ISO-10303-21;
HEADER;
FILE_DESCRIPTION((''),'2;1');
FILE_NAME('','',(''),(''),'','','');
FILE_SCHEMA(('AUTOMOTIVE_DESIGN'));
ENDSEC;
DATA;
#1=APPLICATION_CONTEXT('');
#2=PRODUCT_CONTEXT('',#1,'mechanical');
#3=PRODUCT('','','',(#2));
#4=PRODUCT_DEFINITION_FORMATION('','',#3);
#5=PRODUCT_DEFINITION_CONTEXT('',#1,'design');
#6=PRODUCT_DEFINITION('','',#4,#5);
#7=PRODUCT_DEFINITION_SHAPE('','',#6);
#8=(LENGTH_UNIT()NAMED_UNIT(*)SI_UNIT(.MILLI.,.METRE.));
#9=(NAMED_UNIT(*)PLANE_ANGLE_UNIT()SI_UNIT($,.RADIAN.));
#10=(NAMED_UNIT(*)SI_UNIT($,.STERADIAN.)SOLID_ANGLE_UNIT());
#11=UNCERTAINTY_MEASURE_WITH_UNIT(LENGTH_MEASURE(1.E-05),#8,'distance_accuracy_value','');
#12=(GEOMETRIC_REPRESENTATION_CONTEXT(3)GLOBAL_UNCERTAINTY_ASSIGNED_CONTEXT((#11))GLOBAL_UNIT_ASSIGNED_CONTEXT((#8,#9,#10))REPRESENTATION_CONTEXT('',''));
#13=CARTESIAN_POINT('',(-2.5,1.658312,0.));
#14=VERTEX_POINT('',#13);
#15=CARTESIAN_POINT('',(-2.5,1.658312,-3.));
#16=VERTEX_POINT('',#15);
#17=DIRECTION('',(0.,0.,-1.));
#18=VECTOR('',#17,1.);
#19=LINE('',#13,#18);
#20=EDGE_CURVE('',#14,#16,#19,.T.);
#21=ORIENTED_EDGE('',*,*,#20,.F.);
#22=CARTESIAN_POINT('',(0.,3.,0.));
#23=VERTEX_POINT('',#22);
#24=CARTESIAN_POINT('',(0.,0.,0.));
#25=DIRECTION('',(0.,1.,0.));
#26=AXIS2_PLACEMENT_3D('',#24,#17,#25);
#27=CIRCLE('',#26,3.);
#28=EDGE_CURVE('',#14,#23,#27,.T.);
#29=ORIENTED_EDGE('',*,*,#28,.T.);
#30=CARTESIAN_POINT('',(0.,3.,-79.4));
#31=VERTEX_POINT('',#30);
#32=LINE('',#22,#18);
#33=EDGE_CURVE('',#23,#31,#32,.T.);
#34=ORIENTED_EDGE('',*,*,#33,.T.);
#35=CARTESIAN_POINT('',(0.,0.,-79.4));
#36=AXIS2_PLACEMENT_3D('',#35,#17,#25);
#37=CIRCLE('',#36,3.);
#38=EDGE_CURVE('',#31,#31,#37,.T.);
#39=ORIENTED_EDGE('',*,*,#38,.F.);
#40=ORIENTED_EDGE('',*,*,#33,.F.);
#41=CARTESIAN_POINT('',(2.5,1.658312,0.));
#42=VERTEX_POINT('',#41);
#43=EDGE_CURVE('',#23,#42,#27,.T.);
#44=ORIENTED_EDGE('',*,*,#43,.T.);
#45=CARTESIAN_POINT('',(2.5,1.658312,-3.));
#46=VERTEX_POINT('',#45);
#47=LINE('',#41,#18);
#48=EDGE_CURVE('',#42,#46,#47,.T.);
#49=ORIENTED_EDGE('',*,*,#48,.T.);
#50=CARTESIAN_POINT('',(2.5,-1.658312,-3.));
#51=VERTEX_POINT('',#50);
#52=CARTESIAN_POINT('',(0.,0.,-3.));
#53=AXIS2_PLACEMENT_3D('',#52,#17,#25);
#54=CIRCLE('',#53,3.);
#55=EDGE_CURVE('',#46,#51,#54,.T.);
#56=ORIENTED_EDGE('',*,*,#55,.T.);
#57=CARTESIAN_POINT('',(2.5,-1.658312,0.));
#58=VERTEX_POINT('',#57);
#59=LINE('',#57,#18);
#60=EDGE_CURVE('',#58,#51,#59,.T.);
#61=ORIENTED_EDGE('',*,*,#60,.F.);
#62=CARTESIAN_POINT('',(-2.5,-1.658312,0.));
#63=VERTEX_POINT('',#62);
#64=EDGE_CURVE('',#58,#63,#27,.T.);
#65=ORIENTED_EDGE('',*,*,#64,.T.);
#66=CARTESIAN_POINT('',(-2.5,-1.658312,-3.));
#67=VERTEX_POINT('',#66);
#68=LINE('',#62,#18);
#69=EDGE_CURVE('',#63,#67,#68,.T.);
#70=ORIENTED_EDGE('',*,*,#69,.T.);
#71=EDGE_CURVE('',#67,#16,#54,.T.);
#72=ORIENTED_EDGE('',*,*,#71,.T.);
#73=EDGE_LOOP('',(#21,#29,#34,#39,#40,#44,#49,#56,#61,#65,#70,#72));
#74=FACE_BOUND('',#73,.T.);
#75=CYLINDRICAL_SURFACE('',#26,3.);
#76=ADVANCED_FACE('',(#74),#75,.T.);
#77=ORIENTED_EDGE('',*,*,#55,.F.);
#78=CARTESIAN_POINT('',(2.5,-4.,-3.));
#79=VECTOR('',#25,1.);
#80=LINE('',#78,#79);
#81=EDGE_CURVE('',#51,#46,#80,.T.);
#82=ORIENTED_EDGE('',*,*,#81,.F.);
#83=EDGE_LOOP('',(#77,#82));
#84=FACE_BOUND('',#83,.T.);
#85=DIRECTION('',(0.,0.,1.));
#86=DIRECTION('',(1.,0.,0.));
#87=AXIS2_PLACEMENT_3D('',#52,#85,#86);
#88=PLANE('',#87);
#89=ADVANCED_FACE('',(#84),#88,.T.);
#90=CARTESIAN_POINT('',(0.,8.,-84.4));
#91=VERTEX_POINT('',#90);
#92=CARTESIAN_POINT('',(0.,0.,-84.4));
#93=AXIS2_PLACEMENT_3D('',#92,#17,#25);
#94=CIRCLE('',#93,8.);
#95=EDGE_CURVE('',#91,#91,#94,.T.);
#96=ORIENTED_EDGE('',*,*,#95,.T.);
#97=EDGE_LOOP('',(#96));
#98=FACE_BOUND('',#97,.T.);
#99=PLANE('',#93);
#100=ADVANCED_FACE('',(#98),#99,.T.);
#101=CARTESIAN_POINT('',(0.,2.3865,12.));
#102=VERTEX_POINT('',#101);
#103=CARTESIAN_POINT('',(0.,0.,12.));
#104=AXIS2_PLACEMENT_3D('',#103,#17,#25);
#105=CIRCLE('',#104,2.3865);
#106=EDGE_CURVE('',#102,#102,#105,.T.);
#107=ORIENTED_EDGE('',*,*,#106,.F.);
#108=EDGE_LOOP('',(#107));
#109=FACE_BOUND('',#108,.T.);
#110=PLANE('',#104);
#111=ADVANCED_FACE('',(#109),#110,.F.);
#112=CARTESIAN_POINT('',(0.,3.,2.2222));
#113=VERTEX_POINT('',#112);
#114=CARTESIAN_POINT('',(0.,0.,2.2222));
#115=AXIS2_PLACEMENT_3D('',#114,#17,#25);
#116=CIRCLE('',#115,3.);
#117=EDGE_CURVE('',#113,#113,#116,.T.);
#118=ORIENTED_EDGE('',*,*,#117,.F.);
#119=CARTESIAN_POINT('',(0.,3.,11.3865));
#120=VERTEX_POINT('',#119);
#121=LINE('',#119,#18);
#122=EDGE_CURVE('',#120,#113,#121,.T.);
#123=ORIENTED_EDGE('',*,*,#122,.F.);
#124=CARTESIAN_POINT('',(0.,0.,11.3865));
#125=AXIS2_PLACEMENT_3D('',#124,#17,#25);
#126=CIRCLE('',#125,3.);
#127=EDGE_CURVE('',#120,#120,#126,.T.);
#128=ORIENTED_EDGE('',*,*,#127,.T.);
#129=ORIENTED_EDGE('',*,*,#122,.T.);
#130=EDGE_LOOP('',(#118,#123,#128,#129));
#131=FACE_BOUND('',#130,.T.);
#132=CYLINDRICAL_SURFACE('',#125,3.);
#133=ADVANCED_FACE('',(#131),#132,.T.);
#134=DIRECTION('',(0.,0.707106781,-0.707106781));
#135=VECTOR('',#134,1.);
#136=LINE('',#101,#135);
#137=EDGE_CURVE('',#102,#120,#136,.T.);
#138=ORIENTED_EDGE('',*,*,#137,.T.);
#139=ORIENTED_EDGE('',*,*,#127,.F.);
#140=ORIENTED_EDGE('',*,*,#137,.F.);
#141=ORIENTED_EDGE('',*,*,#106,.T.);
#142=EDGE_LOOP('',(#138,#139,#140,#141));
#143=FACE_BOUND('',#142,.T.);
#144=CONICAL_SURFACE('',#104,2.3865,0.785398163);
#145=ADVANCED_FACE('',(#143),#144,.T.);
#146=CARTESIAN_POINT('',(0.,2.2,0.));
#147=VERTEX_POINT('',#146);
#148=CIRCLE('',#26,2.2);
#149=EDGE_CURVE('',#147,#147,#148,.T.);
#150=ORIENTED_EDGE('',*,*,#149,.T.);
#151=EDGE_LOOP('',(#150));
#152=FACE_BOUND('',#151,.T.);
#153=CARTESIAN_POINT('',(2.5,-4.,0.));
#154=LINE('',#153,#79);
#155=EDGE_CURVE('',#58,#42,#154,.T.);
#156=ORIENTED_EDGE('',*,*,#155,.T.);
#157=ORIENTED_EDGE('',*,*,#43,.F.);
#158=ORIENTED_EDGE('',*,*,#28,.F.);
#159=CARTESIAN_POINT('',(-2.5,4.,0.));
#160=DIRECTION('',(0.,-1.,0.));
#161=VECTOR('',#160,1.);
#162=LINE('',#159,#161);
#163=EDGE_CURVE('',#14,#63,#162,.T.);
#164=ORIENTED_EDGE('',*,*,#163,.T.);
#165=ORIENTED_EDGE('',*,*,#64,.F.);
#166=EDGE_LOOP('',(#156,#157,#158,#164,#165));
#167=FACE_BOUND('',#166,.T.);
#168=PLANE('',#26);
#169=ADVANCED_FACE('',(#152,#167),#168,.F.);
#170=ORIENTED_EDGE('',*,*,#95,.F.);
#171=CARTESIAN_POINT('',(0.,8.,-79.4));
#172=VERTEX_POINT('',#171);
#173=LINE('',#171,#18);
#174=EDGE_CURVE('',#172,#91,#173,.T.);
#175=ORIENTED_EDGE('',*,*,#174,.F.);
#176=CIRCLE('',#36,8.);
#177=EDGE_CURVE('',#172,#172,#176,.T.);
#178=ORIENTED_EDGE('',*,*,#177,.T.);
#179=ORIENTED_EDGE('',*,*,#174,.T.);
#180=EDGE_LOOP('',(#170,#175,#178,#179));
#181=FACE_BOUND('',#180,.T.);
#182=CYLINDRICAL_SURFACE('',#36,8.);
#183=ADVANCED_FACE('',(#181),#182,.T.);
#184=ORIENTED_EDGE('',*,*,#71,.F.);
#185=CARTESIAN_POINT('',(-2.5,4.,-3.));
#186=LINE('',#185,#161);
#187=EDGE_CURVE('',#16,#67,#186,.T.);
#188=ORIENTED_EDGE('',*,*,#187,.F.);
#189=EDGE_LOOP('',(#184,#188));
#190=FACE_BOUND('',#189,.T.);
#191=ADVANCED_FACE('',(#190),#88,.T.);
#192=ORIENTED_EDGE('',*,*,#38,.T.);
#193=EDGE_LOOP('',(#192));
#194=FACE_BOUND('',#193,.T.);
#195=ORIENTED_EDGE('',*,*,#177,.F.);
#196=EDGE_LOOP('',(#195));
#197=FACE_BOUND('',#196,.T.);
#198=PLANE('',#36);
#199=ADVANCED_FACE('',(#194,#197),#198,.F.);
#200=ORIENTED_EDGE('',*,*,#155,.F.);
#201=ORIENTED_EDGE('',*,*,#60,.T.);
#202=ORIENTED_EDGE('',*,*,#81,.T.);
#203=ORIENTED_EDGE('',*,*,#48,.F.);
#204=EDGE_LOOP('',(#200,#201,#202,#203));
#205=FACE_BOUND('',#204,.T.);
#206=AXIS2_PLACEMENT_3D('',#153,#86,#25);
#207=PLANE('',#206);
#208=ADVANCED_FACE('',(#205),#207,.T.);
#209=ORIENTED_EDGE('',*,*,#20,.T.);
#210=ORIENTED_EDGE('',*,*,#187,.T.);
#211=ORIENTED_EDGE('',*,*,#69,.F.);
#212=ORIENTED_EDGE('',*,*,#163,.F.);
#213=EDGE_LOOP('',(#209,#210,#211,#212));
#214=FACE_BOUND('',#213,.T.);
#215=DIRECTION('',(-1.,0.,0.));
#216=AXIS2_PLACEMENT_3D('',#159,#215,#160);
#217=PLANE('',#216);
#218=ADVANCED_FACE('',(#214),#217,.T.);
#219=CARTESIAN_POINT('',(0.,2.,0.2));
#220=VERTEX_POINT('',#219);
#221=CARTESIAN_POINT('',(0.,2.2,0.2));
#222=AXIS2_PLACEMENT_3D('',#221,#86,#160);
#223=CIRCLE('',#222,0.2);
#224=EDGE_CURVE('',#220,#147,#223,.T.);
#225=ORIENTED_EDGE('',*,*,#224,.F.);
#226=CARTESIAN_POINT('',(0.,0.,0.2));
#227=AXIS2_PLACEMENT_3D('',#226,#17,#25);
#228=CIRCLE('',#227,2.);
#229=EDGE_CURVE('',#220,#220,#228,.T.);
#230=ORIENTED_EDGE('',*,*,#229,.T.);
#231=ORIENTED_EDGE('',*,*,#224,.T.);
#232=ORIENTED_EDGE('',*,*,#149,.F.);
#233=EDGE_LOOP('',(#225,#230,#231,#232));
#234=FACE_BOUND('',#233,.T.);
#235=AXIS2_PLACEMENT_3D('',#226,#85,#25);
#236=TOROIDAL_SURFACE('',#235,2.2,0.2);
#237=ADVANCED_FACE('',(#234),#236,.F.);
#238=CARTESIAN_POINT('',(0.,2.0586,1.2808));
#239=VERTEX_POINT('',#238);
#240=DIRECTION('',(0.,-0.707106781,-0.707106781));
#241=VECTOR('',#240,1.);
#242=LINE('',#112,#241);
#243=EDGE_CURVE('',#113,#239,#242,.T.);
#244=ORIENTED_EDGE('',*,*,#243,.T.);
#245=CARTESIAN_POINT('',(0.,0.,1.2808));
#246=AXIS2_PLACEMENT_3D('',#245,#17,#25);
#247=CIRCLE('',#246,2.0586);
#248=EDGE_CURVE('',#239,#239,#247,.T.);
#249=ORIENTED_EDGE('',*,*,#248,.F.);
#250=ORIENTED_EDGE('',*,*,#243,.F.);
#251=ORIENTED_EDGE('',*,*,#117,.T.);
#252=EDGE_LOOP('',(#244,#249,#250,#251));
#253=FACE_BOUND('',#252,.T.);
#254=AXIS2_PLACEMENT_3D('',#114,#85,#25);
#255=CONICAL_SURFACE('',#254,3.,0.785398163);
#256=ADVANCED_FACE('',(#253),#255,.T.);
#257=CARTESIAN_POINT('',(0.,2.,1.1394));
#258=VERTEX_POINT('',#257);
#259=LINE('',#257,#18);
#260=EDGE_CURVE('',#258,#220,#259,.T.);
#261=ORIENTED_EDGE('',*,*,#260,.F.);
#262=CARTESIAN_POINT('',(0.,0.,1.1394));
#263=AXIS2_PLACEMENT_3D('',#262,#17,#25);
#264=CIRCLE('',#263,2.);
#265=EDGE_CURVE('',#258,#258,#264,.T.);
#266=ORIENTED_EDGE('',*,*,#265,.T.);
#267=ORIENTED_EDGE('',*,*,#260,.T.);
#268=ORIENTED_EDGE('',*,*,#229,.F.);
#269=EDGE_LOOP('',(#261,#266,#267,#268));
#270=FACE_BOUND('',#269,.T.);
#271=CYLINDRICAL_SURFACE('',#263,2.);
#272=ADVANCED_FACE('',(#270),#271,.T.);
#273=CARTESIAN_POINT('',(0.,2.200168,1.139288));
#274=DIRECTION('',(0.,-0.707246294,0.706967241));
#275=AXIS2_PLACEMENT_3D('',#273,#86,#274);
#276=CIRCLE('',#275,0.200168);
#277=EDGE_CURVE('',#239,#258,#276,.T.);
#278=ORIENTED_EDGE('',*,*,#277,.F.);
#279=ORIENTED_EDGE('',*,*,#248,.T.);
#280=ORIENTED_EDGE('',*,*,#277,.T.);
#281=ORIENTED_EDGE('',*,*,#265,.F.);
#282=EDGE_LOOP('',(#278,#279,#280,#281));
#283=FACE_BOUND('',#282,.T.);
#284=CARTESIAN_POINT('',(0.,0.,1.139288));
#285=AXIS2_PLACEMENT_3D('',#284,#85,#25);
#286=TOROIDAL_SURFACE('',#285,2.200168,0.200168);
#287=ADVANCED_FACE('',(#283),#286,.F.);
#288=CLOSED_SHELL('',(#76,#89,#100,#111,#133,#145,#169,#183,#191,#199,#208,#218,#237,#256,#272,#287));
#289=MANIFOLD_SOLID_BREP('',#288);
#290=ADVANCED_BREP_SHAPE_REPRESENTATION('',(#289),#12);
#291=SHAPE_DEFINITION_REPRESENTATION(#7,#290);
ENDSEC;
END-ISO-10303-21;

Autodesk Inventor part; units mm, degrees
sketch "Sketch_1" plane through (0, 0, 0) normal (1, 0, 0) x (0, 1, 0)
  line L0 (0, -84.4) -> (0, 0)
  line L1 (0, 0) -> (3, 0)
  line L2 (3, 0) -> (3, -79.4)
  line L3 (3, -79.4) -> (8, -79.4)
  line L4 (8, -79.4) -> (8, -84.4)
  line L5 (8, -84.4) -> (0, -84.4)
  line L6 (0, -84.4) -> (0, 0)
revolve "Revolution1" add sketch "Sketch_1" angle 360 about axis through (0, 0, -84.4) along (0, 0, -1)
sketch "Sketch_2" plane through (0, 0, 0) normal (1, 0, 0) x (0, 1, 0)
  line L0 (0, 0) -> (0, 12)
  line L1 (0, 12) -> (2.3865, 12)
  line L2 (2.3865, 12) -> (3, 11.3865)
  line L3 (3, 11.3865) -> (3, 2.2222)
  line L4 (3, 2.2222) -> (2.0586, 1.2808)
  arc A0 (2.0586, 1.2808) -> (2, 1.1394) centre (2.2, 1.1394) ccw
  line L5 (2, 1.1394) -> (2, 0.2)
  arc A1 (2, 0.2) -> (2.2, 0) centre (2.2, 0.2) ccw
  line L6 (2.2, 0) -> (0, 0)
  line L7 (0, 0) -> (0, 12)
revolve "Revolution2" add sketch "Sketch_2" angle 360 about axis through (0, 0, 0) along (0, 0, -1)
thread "Thread1" size "M6x1" class "6g" standard "ISO Metric profile" full length
sketch "Sketch_8" plane through (0, 0, 0) normal (0, 0, 1) x (1, 0, 0)
  line L0 (-4.5, 5) -> (-4.5, -5)
  line L1 (-4.5, -5) -> (4.5, -5)
  line L2 (4.5, -5) -> (4.5, 5)
  line L3 (4.5, 5) -> (-4.5, 5)
  line L4 (-2.5, -4) -> (2.5, -4)
  line L5 (2.5, -4) -> (2.5, 4)
  line L6 (2.5, 4) -> (-2.5, 4)
  line L7 (-2.5, 4) -> (-2.5, -4)
extrude "Extrusion1" cut sketch "Sketch_8" against normal blind 3
ref_plane "CP1_XY" through (0, 0, -84.4) normal (0, 0, -1) x (1, 0, 0)
ref_plane "CP1_YZ" through (0, 0, -84.4) normal (1, 0, 0) x (0, -1, 0)
ref_plane "CP1_ZX" through (0, 0, -84.4) normal (0, -1, 0) x (0, 0, -1)
ref_plane "CP_P_XY" through (0, 0, -84.4) normal (0, 0, 1) x (1, 0, 0)
ref_plane "CP_P_YZ" through (0, 0, -84.4) normal (1, 0, 0) x (0, 1, 0)
ref_plane "CP_P_ZX" through (0, 0, -84.4) normal (0, 1, 0) x (0, 0, 1)
ref_plane "CP_PL_XY" through (0, 0, -3) normal (0, 0, 1) x (1, 0, 0)
ref_plane "CP_PL_YZ" through (0, 0, -3) normal (1, 0, 0) x (0, 1, 0)
ref_plane "CP_PL_ZX" through (0, 0, -3) normal (0, 1, 0) x (0, 0, 1)
ref_plane "DIM_ZM_XY" through (0, 3, -157) normal (1, 0, 0) x (0, 0, -1)
ref_plane "DIM_ZM_YZ" through (0, 3, -157) normal (0, 0, -1) x (0, 1, 0)
ref_plane "DIM_ZM_ZX" through (0, 3, -157) normal (0, 1, 0) x (1, 0, 0)
ref_plane "DISC_XY" through (0, 0, 5) normal (0, 0, -1) x (1, 0, 0)
ref_plane "DISC_YZ" through (0, 0, 5) normal (1, 0, 0) x (0, -1, 0)
ref_plane "DISC_ZX" through (0, 0, 5) normal (0, -1, 0) x (0, 0, -1)
ref_plane "NUT_6_10_T_1_XY" through (0, 0, -168) normal (0, 0, 1) x (1, 0, 0)
ref_plane "NUT_6_10_T_1_YZ" through (0, 0, -168) normal (1, 0, 0) x (0, 1, 0)
ref_plane "NUT_6_10_T_1_ZX" through (0, 0, -168) normal (0, 1, 0) x (0, 0, 1)
ref_plane "NUT_6_10_T_2_XY" through (0, 0, -165.8) normal (0, 0, 1) x (1, 0, 0)
ref_plane "NUT_6_10_T_2_YZ" through (0, 0, -165.8) normal (1, 0, 0) x (0, 1, 0)
ref_plane "NUT_6_10_T_2_ZX" through (0, 0, -165.8) normal (0, 1, 0) x (0, 0, 1)
ref_plane "NUT_CP_6_10_1_XY" through (0, 0, 10) normal (0, 0, 1) x (1, 0, 0)
ref_plane "NUT_CP_6_10_1_YZ" through (0, 0, 10) normal (1, 0, 0) x (0, 1, 0)
ref_plane "NUT_CP_6_10_1_ZX" through (0, 0, 10) normal (0, 1, 0) x (0, 0, 1)
ref_plane "NUT_CP_6_10_2_XY" through (0, 0, 7.8) normal (0, 0, 1) x (1, 0, 0)
ref_plane "NUT_CP_6_10_2_YZ" through (0, 0, 7.8) normal (1, 0, 0) x (0, 1, 0)
ref_plane "NUT_CP_6_10_2_ZX" through (0, 0, 7.8) normal (0, 1, 0) x (0, 0, 1)
properties part number "4186566 DPDM-Q-50---(r)"
